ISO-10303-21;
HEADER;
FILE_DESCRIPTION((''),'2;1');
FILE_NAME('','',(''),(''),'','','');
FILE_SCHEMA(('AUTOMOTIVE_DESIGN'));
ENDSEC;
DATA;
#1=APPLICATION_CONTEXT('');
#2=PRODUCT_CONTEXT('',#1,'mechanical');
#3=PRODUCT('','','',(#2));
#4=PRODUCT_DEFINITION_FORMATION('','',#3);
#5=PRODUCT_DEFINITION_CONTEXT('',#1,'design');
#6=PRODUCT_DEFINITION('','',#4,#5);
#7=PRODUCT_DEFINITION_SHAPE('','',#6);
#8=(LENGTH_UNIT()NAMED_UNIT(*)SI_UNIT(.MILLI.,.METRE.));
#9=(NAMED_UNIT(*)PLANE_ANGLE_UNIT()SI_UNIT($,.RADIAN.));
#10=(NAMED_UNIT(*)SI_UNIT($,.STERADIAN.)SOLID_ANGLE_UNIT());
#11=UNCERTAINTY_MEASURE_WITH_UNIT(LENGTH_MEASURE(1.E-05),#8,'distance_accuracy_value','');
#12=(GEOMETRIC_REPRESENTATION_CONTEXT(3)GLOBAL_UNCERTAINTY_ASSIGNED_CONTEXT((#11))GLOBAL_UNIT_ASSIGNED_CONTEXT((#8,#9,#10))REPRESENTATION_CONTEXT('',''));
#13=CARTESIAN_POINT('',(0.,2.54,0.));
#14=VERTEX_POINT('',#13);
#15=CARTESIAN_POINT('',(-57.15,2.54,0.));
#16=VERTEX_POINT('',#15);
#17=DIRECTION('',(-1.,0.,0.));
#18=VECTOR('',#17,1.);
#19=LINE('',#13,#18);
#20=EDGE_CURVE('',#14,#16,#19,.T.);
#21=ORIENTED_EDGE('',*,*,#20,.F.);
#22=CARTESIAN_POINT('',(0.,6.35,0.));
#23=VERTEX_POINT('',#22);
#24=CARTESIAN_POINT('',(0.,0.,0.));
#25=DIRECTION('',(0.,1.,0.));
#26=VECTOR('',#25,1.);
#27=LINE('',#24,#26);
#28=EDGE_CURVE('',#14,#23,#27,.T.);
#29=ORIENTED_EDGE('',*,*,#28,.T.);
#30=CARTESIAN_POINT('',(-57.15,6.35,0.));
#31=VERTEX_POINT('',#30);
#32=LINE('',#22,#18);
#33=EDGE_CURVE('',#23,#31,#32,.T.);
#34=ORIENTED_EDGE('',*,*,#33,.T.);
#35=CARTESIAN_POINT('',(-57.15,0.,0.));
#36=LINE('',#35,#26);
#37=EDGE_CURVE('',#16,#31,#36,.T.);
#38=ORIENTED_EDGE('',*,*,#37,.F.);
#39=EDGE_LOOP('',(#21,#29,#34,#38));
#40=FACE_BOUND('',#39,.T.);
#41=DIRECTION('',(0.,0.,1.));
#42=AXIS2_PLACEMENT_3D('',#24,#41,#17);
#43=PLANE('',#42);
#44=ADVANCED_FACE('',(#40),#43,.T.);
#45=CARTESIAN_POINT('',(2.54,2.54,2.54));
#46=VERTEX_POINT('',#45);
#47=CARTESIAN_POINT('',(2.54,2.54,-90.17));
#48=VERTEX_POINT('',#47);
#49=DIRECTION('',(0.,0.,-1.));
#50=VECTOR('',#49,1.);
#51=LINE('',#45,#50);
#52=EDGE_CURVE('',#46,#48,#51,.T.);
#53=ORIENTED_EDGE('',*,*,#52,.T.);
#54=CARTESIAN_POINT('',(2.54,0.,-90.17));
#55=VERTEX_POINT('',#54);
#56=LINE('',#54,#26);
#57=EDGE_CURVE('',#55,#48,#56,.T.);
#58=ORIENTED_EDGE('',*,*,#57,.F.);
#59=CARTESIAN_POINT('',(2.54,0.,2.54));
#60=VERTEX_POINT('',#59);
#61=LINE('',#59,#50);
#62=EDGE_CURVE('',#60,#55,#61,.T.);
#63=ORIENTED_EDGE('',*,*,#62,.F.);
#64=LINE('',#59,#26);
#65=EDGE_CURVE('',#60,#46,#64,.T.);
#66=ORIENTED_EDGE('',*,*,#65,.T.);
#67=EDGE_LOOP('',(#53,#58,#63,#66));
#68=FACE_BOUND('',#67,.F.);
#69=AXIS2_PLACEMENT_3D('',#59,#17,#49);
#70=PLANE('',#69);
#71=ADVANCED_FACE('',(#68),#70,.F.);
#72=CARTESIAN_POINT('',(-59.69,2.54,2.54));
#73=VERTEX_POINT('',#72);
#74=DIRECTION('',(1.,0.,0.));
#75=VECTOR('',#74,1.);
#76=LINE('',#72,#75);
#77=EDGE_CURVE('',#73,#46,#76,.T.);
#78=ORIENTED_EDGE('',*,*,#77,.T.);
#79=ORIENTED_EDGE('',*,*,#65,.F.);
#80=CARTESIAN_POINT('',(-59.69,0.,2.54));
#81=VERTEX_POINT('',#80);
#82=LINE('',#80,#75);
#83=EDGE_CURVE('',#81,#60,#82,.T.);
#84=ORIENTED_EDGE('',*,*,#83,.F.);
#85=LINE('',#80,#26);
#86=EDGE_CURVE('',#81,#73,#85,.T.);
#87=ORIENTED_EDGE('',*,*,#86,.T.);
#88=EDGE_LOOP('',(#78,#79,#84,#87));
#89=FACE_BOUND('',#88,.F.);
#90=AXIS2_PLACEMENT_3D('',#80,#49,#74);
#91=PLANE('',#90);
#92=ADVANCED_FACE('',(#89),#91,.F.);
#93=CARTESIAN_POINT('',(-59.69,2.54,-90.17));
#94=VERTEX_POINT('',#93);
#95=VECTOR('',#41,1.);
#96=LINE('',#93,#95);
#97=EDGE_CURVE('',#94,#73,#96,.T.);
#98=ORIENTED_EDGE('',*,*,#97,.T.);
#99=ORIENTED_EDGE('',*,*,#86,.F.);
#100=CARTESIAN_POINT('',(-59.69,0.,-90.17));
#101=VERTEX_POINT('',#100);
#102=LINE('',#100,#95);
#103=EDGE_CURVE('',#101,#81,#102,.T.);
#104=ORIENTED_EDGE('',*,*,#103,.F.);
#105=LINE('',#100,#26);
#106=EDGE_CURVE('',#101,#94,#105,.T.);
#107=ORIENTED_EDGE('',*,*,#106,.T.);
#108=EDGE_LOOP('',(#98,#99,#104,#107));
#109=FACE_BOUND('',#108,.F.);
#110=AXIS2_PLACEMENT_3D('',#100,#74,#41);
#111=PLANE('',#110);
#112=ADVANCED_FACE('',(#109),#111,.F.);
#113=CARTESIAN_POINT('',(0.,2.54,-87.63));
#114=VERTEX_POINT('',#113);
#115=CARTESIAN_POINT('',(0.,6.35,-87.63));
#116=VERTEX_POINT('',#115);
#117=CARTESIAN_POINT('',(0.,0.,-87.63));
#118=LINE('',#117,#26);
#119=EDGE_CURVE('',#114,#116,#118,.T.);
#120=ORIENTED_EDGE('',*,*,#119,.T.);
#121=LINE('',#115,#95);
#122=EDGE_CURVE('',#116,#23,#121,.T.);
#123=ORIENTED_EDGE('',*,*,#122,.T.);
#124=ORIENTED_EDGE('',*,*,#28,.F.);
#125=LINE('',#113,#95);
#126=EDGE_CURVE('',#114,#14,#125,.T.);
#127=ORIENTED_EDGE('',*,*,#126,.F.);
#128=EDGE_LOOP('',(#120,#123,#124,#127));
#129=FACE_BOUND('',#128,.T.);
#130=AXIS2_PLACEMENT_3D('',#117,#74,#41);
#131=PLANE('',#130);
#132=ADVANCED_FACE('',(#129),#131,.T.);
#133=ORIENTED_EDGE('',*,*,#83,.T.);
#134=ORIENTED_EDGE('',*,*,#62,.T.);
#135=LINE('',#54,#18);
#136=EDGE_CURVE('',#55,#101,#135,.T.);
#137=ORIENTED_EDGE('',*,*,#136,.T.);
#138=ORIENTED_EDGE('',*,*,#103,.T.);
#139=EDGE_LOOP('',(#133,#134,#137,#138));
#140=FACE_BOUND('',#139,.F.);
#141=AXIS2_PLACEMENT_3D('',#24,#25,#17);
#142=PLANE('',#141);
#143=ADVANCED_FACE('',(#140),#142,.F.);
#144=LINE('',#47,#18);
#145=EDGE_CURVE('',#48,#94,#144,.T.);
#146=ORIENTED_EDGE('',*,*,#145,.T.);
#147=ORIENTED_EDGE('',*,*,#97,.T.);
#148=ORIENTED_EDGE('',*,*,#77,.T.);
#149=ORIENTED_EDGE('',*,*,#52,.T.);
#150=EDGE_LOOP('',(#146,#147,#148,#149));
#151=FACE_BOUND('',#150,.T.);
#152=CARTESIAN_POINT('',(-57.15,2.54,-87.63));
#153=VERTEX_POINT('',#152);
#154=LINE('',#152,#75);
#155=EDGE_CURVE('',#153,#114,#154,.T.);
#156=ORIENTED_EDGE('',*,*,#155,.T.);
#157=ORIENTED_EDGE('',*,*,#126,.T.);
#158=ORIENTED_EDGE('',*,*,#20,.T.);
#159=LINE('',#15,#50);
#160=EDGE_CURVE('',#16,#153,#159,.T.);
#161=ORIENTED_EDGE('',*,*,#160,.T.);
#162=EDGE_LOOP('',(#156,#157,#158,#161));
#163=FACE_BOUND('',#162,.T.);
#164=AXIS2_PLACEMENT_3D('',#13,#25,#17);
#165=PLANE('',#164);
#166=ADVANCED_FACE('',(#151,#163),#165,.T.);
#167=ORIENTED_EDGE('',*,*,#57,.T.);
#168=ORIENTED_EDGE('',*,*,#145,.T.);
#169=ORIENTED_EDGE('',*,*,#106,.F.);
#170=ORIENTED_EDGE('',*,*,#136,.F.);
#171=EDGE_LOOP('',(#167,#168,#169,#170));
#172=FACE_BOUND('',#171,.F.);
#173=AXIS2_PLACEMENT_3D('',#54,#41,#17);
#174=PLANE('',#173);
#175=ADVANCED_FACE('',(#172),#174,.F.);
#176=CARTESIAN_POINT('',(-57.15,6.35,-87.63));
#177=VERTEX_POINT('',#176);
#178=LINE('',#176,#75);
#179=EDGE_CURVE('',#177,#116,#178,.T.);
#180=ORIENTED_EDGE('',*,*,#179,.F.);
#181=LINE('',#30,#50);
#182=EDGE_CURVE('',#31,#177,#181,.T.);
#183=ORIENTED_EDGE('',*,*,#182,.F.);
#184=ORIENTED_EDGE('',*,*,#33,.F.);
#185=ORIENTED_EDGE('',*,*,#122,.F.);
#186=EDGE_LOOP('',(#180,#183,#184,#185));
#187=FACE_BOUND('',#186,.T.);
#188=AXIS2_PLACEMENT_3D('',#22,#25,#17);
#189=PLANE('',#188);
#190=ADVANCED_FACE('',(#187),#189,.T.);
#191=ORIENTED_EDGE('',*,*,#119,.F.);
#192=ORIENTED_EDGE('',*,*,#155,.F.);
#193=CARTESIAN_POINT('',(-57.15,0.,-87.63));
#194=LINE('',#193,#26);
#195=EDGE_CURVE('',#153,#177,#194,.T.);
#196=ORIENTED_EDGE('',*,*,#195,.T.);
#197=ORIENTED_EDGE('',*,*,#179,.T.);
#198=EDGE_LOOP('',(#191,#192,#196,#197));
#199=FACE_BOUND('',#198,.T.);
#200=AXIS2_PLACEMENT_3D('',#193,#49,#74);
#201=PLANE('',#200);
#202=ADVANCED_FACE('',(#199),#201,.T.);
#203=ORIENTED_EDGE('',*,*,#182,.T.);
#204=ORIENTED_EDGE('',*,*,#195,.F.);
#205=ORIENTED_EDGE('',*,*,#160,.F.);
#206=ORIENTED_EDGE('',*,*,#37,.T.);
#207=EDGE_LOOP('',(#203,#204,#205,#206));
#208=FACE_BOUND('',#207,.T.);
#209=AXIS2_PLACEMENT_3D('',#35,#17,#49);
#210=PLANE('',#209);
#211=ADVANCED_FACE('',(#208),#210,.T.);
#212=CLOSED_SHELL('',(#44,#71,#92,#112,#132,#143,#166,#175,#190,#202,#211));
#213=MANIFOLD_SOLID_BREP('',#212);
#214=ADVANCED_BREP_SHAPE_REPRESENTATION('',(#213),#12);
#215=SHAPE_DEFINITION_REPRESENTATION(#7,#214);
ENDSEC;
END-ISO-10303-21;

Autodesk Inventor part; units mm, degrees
ref_plane "YZ Plane" through (0, 0, 0) normal (1, 0, 0) x (0, 1, 0)
ref_plane "XZ Plane" through (0, 0, 0) normal (0, 1, 0) x (-1, 0, 0)
ref_plane "XY Plane" through (0, 0, 0) normal (0, 0, 1) x (1, 0, 0)
sketch "Sketch1" plane through (0, 0, 0) normal (0, 1, 0) x (-1, 0, 0)
  line L0 (0, 0) -> (57.15, 0)
  line L1 (57.15, 0) -> (57.15, -87.63)
  line L2 (57.15, -87.63) -> (0, -87.63)
  line L3 (0, -87.63) -> (0, 0)
  line L4 (59.69, -90.17) -> (59.69, 2.54)
  line L5 (59.69, 2.54) -> (-2.54, 2.54)
  line L6 (-2.54, 2.54) -> (-2.54, -90.17)
  line L7 (-2.54, -90.17) -> (59.69, -90.17)
  dimension "d0" = 57.15
  dimension "d1" = 87.63
  dimension "d2" = 2.54
extrude "Extrusion1" add sketch "Sketch1" along normal blind 6.35 contours L0 L1 L2 L3
extrude "Extrusion2" add sketch "Sketch1" along normal blind 2.54
properties part number "LCD"
